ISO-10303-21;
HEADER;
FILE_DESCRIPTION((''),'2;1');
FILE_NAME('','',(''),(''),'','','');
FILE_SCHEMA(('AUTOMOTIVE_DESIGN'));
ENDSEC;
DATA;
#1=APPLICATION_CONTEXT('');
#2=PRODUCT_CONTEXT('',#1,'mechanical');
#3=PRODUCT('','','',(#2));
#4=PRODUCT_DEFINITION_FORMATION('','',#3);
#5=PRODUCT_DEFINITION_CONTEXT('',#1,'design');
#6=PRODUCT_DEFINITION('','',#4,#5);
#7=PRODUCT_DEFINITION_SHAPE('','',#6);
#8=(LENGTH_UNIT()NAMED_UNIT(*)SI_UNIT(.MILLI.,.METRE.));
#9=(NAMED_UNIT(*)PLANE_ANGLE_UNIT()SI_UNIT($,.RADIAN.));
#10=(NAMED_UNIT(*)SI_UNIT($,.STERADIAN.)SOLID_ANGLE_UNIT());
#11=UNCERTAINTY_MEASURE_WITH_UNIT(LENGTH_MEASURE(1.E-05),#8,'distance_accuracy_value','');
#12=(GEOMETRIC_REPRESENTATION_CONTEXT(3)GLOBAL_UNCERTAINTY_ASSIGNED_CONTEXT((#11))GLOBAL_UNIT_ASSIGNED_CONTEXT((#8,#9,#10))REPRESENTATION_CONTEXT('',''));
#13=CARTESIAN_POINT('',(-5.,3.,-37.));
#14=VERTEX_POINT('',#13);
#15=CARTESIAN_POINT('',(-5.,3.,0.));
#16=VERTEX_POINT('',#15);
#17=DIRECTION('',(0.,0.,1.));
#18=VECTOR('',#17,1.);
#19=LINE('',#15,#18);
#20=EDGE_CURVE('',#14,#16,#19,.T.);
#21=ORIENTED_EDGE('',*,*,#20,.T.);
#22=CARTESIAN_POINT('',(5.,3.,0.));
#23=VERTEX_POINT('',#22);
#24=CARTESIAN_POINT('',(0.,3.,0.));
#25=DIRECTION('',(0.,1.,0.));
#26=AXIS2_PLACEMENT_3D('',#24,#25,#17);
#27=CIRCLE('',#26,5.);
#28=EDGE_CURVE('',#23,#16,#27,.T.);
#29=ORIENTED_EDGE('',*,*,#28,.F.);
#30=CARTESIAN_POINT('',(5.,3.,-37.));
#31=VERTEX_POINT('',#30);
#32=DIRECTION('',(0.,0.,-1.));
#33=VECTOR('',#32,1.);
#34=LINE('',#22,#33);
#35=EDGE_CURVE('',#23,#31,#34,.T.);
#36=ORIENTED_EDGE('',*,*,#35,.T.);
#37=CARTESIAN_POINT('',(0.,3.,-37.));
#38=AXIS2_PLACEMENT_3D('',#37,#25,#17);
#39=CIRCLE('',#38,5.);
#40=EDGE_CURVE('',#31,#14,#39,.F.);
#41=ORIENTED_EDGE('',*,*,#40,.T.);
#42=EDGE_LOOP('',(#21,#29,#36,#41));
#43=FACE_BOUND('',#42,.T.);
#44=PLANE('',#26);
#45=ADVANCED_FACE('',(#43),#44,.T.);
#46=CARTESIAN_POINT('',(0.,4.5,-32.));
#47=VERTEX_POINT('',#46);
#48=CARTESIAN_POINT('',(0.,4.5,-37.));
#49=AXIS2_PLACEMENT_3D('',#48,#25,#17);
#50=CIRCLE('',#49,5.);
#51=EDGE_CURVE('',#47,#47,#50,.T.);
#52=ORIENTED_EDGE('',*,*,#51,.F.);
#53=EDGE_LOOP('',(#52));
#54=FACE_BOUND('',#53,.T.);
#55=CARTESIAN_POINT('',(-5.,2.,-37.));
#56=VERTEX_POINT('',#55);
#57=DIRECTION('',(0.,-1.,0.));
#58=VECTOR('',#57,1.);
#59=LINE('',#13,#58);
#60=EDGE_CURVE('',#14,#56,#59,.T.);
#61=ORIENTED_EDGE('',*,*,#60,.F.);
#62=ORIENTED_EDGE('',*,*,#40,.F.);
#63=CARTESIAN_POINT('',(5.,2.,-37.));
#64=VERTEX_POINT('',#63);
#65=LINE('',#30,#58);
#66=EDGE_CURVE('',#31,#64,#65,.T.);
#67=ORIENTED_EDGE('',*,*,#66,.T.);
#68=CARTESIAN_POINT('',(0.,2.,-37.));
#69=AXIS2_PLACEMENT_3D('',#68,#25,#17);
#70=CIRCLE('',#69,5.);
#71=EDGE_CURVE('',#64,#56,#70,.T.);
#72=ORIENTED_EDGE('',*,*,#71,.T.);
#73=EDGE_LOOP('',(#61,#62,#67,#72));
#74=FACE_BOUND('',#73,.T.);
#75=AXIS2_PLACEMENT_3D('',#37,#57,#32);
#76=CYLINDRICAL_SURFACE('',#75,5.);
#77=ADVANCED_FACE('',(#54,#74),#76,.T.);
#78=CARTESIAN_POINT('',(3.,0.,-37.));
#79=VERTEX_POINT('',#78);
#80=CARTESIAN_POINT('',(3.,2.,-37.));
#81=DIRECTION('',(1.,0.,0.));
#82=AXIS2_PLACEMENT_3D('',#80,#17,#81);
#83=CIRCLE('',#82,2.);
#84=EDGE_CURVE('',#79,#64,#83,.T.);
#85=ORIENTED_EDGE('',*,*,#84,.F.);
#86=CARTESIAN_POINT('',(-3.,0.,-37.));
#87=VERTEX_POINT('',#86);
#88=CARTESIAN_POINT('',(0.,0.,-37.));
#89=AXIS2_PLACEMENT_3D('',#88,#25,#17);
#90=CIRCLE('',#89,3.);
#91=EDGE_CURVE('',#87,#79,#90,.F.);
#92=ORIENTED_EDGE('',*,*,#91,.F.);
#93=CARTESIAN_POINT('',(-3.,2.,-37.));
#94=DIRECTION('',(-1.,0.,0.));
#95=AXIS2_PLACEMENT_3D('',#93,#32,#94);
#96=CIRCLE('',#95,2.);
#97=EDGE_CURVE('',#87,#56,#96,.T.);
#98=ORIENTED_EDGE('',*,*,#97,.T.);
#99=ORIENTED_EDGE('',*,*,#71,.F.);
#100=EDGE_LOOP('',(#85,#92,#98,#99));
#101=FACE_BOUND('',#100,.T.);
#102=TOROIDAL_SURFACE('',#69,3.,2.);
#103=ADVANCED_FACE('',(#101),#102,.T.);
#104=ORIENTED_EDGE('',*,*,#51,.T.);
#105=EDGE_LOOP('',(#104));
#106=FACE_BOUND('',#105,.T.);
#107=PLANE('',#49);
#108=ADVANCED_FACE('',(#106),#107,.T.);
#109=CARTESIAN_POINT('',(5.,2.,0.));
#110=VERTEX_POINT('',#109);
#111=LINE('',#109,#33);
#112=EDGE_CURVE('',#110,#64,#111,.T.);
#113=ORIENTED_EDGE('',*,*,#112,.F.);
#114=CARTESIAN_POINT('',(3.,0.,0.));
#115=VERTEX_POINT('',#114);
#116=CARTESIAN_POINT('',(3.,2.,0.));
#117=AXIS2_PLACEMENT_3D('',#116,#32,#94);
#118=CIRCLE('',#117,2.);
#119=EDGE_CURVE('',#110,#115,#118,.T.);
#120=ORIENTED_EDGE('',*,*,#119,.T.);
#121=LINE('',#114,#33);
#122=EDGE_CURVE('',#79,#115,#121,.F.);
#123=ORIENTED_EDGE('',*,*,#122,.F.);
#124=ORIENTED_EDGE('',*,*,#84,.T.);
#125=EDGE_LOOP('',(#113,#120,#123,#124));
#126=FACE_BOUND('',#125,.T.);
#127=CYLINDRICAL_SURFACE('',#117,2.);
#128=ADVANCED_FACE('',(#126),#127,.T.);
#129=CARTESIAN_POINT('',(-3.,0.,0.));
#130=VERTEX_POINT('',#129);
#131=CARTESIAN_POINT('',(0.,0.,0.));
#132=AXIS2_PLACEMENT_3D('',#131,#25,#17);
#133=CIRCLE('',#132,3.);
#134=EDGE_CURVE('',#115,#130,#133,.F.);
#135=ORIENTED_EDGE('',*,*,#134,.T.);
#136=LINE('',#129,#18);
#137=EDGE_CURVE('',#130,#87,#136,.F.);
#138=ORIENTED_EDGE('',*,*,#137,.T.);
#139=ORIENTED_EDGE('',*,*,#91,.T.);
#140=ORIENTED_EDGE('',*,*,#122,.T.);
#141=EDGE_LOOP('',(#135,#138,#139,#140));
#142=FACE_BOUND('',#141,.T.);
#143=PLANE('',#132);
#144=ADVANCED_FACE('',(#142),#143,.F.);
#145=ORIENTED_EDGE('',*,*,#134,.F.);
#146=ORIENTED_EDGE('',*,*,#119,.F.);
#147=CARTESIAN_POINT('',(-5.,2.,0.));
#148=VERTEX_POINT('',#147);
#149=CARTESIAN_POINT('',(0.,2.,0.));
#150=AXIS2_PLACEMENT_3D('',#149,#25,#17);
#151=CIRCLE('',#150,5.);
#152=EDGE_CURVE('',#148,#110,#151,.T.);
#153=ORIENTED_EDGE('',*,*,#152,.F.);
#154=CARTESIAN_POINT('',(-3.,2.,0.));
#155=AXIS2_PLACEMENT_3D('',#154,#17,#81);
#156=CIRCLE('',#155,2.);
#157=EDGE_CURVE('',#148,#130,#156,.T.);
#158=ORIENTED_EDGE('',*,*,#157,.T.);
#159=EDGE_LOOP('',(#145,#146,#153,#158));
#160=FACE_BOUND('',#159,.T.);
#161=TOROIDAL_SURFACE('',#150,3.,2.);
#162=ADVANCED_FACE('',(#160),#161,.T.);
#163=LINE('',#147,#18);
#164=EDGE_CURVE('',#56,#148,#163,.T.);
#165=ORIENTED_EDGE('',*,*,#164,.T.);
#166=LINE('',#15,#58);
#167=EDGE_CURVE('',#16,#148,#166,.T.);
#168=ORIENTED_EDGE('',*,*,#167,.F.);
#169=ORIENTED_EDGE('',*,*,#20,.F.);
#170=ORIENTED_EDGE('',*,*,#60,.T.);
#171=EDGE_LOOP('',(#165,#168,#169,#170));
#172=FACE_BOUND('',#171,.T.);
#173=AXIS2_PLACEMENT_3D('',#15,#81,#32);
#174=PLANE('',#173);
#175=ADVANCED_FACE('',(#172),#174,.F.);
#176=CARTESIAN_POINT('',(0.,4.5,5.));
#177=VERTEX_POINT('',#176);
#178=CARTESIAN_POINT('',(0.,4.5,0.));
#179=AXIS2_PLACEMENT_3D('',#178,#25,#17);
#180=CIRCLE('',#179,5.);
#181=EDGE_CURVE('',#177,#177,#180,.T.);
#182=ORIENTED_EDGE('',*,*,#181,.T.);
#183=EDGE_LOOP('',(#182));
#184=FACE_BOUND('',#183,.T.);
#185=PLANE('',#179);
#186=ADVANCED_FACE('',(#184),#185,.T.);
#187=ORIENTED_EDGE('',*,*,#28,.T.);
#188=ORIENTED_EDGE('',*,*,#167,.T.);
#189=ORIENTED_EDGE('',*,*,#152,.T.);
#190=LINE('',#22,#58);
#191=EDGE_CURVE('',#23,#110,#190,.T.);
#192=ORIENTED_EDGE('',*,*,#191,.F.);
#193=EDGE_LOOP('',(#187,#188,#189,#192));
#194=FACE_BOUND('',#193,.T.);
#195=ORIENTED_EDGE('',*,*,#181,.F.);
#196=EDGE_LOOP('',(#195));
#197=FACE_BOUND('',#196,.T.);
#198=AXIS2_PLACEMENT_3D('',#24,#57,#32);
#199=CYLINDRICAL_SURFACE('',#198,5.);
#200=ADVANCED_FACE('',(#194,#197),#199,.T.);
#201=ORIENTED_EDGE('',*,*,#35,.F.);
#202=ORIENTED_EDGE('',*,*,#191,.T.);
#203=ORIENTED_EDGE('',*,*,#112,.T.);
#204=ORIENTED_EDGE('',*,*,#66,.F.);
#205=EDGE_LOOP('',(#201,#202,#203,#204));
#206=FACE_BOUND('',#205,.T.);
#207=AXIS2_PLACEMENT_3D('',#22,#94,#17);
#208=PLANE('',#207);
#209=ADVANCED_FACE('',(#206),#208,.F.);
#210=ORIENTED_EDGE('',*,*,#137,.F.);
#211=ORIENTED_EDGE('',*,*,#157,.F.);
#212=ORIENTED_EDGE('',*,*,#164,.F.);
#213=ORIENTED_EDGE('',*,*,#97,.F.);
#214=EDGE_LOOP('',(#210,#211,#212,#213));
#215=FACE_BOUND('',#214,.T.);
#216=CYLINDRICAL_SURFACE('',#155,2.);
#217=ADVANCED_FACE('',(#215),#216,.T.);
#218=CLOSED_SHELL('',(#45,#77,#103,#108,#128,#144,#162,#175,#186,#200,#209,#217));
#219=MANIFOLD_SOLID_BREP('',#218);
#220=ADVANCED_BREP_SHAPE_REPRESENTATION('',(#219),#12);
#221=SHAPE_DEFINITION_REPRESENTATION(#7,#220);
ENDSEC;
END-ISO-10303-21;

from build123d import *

# Parameters (mm, degrees)
BOSS_EXTRUDE1_DEPTH = 3
SKETCH2_R           = 5
BOSS_EXTRUDE2_DEPTH = 1.5
FILLET1_R           = 2


with BuildPart() as part:
    # Sketch1 → Boss-Extrude1 (new body)
    with BuildSketch(Plane(origin=(0, 0, 0), x_dir=(1, 0, 0), z_dir=(0, 1, 0))):
        with BuildLine():
            Line((-5, 0), (-5, 37))
            ThreePointArc((-5, 37), (0, 42), (5, 37))
            Line((5, 37), (5, 0))
            ThreePointArc((5, 0), (0, -5), (-5, 0))
        make_face()
    extrude(amount=BOSS_EXTRUDE1_DEPTH)

    # Sketch2 → Boss-Extrude2 (add)
    with BuildSketch(Plane(origin=(0, 3, 0), x_dir=(1, 0, 0), z_dir=(0, 1, 0))):
        with BuildLine():
            ThreePointArc((-5, 0), (0, -5), (5, 0))
            ThreePointArc((5, 0), (0, 5), (-5, 0))
        make_face()
        with Locations(Location((0, 37, 0), (0, 0, 180))):
            Circle(SKETCH2_R)
    extrude(amount=BOSS_EXTRUDE2_DEPTH)

    # Fillet1
    fillet1_edges = [part.edges().sort_by_distance(p)[0] for p in [
        (-5, 0, -18.5),
        (0, 0, -42),
        (5, 0, -18.5),
        (0, 0, 5),
    ]]
    fillet(fillet1_edges, radius=FILLET1_R)


solid = part.part
